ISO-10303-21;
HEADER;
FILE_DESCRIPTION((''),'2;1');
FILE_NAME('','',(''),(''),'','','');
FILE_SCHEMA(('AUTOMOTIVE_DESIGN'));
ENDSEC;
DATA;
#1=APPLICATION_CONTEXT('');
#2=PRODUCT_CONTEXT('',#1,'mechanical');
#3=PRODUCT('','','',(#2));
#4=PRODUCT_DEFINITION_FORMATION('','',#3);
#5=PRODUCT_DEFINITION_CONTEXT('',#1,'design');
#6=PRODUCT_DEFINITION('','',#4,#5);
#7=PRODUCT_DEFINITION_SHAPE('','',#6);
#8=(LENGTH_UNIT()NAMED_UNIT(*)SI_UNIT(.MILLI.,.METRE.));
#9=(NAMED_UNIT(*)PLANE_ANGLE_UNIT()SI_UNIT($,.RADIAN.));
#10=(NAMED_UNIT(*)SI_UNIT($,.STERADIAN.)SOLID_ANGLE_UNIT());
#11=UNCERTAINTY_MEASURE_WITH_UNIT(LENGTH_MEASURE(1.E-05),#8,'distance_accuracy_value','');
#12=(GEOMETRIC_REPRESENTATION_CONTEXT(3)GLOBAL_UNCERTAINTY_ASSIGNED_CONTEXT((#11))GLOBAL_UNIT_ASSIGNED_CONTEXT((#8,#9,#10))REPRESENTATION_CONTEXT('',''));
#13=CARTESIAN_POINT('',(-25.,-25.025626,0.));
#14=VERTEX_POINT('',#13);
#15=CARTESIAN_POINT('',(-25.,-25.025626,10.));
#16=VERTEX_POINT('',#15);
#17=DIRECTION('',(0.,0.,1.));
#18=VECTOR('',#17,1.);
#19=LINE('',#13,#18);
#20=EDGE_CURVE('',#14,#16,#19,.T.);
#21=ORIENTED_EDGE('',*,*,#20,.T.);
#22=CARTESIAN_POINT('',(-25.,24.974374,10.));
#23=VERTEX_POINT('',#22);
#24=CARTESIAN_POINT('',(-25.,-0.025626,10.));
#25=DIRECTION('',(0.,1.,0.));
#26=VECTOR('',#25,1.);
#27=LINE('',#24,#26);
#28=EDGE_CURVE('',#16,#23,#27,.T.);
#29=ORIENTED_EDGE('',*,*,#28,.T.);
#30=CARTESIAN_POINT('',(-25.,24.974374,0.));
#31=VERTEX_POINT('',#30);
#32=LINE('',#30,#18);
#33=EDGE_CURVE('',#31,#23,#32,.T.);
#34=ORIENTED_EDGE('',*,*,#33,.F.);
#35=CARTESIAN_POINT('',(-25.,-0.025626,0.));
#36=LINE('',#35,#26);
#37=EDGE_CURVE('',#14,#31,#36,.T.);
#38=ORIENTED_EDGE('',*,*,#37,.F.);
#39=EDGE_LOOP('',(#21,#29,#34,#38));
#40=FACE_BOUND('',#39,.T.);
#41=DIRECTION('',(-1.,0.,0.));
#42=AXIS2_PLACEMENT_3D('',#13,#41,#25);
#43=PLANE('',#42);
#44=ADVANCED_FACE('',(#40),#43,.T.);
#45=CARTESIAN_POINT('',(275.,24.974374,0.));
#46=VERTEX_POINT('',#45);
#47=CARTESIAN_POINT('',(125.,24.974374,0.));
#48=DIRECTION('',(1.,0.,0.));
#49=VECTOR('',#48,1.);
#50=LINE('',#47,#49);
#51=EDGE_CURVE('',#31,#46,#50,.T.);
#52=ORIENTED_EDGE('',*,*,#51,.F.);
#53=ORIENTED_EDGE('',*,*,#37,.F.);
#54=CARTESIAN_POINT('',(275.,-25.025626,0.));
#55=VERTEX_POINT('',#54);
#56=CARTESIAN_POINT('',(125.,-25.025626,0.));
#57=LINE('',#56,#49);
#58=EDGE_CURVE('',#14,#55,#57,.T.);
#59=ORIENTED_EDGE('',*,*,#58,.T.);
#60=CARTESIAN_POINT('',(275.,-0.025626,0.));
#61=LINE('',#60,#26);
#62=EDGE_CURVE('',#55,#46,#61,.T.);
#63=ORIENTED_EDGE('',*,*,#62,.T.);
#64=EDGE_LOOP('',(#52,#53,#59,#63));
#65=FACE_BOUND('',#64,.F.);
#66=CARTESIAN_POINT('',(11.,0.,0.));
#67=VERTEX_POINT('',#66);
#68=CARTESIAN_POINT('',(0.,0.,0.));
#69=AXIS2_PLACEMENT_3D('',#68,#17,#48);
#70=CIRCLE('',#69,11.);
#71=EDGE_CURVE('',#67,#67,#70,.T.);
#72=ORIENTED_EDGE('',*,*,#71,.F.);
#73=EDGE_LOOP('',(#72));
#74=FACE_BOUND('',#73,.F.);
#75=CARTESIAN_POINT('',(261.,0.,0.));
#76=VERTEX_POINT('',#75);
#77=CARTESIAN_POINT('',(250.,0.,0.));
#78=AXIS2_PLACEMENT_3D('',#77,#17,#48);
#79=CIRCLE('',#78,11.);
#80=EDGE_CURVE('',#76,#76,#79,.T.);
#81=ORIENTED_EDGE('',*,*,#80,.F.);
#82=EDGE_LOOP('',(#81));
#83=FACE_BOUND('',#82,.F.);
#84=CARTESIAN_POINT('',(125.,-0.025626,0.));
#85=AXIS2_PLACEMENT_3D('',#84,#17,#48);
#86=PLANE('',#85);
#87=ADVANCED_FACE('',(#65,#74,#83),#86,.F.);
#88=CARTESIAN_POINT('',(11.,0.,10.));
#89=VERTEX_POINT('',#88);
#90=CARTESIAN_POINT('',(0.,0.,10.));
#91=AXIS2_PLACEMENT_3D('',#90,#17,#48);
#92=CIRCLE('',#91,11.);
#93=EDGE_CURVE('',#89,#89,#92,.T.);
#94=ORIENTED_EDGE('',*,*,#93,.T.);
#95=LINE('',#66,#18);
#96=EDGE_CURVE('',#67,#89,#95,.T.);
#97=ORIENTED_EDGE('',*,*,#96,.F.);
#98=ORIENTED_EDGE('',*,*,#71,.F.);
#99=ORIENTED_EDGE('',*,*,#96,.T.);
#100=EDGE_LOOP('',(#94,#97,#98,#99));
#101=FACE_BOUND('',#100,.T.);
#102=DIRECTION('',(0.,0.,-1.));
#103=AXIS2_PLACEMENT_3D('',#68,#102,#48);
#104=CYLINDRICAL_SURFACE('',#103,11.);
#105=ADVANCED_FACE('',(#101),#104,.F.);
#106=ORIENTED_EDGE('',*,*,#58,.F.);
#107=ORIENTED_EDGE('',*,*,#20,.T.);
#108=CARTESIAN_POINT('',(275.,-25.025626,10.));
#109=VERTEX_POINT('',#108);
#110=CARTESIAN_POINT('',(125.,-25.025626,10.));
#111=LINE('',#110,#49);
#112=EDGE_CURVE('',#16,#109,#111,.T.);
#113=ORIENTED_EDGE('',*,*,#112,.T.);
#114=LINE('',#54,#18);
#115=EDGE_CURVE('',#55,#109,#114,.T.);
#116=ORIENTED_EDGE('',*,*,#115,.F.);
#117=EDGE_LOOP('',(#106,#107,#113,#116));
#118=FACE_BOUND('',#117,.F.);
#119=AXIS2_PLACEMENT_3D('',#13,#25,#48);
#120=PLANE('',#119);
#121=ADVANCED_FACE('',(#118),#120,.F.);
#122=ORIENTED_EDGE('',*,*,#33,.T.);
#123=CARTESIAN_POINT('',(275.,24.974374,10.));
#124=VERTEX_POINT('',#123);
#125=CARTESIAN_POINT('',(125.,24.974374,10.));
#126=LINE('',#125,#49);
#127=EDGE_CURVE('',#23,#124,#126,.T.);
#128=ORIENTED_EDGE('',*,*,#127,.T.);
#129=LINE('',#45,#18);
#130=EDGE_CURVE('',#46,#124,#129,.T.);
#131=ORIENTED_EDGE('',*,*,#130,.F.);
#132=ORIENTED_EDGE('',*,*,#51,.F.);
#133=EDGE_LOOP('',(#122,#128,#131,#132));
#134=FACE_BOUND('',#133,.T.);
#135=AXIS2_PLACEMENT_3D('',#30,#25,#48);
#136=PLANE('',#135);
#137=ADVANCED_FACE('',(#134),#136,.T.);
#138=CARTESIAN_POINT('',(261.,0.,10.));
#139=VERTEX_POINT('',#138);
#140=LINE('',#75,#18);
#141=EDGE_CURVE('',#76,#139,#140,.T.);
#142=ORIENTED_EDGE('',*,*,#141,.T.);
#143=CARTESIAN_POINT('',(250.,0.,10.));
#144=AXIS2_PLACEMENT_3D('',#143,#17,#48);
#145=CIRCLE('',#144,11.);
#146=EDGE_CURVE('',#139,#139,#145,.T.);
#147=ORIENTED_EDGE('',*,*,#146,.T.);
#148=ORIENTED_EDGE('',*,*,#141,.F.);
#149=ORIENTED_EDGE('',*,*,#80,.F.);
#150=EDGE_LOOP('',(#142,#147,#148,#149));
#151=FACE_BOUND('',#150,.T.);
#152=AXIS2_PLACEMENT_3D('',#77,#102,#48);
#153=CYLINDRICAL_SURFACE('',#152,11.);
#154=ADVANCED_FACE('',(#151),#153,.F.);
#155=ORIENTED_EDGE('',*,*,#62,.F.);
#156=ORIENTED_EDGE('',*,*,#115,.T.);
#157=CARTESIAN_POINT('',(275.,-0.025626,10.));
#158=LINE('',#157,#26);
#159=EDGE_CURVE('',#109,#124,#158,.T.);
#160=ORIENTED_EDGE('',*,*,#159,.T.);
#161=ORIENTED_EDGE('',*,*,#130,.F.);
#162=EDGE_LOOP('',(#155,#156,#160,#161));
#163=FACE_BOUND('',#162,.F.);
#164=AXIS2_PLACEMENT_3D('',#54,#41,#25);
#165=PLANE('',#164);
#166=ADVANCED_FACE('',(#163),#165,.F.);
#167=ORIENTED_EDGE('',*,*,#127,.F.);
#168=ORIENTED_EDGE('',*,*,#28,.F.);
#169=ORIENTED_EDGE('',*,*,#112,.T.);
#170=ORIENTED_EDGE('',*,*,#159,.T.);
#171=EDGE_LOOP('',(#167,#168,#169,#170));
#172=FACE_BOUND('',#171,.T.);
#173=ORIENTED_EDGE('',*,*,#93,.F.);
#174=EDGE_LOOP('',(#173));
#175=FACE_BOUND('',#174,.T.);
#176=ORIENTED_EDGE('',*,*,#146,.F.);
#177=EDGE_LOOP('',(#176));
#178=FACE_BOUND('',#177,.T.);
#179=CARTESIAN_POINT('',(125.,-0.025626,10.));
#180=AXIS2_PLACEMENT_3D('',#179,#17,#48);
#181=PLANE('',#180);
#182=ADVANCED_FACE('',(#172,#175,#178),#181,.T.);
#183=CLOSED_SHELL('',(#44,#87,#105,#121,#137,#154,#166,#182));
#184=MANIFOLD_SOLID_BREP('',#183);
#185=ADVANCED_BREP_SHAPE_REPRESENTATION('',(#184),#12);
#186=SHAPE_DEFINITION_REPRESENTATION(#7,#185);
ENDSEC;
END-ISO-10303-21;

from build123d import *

# Parameters (mm, degrees)
SKETCH_W  = 300
SKETCH_H  = 50
SKETCH_R  = 11
PAD_DEPTH = 10


with BuildPart() as part:
    # Sketch → Pad (new body)
    with BuildSketch(Plane.XY):
        with Locations((125, -0.025626)):
            Rectangle(SKETCH_W, SKETCH_H)
        Circle(SKETCH_R, mode=Mode.SUBTRACT)
        with Locations((250, 0)):
            Circle(SKETCH_R, mode=Mode.SUBTRACT)
    extrude(amount=PAD_DEPTH)


solid = part.part
